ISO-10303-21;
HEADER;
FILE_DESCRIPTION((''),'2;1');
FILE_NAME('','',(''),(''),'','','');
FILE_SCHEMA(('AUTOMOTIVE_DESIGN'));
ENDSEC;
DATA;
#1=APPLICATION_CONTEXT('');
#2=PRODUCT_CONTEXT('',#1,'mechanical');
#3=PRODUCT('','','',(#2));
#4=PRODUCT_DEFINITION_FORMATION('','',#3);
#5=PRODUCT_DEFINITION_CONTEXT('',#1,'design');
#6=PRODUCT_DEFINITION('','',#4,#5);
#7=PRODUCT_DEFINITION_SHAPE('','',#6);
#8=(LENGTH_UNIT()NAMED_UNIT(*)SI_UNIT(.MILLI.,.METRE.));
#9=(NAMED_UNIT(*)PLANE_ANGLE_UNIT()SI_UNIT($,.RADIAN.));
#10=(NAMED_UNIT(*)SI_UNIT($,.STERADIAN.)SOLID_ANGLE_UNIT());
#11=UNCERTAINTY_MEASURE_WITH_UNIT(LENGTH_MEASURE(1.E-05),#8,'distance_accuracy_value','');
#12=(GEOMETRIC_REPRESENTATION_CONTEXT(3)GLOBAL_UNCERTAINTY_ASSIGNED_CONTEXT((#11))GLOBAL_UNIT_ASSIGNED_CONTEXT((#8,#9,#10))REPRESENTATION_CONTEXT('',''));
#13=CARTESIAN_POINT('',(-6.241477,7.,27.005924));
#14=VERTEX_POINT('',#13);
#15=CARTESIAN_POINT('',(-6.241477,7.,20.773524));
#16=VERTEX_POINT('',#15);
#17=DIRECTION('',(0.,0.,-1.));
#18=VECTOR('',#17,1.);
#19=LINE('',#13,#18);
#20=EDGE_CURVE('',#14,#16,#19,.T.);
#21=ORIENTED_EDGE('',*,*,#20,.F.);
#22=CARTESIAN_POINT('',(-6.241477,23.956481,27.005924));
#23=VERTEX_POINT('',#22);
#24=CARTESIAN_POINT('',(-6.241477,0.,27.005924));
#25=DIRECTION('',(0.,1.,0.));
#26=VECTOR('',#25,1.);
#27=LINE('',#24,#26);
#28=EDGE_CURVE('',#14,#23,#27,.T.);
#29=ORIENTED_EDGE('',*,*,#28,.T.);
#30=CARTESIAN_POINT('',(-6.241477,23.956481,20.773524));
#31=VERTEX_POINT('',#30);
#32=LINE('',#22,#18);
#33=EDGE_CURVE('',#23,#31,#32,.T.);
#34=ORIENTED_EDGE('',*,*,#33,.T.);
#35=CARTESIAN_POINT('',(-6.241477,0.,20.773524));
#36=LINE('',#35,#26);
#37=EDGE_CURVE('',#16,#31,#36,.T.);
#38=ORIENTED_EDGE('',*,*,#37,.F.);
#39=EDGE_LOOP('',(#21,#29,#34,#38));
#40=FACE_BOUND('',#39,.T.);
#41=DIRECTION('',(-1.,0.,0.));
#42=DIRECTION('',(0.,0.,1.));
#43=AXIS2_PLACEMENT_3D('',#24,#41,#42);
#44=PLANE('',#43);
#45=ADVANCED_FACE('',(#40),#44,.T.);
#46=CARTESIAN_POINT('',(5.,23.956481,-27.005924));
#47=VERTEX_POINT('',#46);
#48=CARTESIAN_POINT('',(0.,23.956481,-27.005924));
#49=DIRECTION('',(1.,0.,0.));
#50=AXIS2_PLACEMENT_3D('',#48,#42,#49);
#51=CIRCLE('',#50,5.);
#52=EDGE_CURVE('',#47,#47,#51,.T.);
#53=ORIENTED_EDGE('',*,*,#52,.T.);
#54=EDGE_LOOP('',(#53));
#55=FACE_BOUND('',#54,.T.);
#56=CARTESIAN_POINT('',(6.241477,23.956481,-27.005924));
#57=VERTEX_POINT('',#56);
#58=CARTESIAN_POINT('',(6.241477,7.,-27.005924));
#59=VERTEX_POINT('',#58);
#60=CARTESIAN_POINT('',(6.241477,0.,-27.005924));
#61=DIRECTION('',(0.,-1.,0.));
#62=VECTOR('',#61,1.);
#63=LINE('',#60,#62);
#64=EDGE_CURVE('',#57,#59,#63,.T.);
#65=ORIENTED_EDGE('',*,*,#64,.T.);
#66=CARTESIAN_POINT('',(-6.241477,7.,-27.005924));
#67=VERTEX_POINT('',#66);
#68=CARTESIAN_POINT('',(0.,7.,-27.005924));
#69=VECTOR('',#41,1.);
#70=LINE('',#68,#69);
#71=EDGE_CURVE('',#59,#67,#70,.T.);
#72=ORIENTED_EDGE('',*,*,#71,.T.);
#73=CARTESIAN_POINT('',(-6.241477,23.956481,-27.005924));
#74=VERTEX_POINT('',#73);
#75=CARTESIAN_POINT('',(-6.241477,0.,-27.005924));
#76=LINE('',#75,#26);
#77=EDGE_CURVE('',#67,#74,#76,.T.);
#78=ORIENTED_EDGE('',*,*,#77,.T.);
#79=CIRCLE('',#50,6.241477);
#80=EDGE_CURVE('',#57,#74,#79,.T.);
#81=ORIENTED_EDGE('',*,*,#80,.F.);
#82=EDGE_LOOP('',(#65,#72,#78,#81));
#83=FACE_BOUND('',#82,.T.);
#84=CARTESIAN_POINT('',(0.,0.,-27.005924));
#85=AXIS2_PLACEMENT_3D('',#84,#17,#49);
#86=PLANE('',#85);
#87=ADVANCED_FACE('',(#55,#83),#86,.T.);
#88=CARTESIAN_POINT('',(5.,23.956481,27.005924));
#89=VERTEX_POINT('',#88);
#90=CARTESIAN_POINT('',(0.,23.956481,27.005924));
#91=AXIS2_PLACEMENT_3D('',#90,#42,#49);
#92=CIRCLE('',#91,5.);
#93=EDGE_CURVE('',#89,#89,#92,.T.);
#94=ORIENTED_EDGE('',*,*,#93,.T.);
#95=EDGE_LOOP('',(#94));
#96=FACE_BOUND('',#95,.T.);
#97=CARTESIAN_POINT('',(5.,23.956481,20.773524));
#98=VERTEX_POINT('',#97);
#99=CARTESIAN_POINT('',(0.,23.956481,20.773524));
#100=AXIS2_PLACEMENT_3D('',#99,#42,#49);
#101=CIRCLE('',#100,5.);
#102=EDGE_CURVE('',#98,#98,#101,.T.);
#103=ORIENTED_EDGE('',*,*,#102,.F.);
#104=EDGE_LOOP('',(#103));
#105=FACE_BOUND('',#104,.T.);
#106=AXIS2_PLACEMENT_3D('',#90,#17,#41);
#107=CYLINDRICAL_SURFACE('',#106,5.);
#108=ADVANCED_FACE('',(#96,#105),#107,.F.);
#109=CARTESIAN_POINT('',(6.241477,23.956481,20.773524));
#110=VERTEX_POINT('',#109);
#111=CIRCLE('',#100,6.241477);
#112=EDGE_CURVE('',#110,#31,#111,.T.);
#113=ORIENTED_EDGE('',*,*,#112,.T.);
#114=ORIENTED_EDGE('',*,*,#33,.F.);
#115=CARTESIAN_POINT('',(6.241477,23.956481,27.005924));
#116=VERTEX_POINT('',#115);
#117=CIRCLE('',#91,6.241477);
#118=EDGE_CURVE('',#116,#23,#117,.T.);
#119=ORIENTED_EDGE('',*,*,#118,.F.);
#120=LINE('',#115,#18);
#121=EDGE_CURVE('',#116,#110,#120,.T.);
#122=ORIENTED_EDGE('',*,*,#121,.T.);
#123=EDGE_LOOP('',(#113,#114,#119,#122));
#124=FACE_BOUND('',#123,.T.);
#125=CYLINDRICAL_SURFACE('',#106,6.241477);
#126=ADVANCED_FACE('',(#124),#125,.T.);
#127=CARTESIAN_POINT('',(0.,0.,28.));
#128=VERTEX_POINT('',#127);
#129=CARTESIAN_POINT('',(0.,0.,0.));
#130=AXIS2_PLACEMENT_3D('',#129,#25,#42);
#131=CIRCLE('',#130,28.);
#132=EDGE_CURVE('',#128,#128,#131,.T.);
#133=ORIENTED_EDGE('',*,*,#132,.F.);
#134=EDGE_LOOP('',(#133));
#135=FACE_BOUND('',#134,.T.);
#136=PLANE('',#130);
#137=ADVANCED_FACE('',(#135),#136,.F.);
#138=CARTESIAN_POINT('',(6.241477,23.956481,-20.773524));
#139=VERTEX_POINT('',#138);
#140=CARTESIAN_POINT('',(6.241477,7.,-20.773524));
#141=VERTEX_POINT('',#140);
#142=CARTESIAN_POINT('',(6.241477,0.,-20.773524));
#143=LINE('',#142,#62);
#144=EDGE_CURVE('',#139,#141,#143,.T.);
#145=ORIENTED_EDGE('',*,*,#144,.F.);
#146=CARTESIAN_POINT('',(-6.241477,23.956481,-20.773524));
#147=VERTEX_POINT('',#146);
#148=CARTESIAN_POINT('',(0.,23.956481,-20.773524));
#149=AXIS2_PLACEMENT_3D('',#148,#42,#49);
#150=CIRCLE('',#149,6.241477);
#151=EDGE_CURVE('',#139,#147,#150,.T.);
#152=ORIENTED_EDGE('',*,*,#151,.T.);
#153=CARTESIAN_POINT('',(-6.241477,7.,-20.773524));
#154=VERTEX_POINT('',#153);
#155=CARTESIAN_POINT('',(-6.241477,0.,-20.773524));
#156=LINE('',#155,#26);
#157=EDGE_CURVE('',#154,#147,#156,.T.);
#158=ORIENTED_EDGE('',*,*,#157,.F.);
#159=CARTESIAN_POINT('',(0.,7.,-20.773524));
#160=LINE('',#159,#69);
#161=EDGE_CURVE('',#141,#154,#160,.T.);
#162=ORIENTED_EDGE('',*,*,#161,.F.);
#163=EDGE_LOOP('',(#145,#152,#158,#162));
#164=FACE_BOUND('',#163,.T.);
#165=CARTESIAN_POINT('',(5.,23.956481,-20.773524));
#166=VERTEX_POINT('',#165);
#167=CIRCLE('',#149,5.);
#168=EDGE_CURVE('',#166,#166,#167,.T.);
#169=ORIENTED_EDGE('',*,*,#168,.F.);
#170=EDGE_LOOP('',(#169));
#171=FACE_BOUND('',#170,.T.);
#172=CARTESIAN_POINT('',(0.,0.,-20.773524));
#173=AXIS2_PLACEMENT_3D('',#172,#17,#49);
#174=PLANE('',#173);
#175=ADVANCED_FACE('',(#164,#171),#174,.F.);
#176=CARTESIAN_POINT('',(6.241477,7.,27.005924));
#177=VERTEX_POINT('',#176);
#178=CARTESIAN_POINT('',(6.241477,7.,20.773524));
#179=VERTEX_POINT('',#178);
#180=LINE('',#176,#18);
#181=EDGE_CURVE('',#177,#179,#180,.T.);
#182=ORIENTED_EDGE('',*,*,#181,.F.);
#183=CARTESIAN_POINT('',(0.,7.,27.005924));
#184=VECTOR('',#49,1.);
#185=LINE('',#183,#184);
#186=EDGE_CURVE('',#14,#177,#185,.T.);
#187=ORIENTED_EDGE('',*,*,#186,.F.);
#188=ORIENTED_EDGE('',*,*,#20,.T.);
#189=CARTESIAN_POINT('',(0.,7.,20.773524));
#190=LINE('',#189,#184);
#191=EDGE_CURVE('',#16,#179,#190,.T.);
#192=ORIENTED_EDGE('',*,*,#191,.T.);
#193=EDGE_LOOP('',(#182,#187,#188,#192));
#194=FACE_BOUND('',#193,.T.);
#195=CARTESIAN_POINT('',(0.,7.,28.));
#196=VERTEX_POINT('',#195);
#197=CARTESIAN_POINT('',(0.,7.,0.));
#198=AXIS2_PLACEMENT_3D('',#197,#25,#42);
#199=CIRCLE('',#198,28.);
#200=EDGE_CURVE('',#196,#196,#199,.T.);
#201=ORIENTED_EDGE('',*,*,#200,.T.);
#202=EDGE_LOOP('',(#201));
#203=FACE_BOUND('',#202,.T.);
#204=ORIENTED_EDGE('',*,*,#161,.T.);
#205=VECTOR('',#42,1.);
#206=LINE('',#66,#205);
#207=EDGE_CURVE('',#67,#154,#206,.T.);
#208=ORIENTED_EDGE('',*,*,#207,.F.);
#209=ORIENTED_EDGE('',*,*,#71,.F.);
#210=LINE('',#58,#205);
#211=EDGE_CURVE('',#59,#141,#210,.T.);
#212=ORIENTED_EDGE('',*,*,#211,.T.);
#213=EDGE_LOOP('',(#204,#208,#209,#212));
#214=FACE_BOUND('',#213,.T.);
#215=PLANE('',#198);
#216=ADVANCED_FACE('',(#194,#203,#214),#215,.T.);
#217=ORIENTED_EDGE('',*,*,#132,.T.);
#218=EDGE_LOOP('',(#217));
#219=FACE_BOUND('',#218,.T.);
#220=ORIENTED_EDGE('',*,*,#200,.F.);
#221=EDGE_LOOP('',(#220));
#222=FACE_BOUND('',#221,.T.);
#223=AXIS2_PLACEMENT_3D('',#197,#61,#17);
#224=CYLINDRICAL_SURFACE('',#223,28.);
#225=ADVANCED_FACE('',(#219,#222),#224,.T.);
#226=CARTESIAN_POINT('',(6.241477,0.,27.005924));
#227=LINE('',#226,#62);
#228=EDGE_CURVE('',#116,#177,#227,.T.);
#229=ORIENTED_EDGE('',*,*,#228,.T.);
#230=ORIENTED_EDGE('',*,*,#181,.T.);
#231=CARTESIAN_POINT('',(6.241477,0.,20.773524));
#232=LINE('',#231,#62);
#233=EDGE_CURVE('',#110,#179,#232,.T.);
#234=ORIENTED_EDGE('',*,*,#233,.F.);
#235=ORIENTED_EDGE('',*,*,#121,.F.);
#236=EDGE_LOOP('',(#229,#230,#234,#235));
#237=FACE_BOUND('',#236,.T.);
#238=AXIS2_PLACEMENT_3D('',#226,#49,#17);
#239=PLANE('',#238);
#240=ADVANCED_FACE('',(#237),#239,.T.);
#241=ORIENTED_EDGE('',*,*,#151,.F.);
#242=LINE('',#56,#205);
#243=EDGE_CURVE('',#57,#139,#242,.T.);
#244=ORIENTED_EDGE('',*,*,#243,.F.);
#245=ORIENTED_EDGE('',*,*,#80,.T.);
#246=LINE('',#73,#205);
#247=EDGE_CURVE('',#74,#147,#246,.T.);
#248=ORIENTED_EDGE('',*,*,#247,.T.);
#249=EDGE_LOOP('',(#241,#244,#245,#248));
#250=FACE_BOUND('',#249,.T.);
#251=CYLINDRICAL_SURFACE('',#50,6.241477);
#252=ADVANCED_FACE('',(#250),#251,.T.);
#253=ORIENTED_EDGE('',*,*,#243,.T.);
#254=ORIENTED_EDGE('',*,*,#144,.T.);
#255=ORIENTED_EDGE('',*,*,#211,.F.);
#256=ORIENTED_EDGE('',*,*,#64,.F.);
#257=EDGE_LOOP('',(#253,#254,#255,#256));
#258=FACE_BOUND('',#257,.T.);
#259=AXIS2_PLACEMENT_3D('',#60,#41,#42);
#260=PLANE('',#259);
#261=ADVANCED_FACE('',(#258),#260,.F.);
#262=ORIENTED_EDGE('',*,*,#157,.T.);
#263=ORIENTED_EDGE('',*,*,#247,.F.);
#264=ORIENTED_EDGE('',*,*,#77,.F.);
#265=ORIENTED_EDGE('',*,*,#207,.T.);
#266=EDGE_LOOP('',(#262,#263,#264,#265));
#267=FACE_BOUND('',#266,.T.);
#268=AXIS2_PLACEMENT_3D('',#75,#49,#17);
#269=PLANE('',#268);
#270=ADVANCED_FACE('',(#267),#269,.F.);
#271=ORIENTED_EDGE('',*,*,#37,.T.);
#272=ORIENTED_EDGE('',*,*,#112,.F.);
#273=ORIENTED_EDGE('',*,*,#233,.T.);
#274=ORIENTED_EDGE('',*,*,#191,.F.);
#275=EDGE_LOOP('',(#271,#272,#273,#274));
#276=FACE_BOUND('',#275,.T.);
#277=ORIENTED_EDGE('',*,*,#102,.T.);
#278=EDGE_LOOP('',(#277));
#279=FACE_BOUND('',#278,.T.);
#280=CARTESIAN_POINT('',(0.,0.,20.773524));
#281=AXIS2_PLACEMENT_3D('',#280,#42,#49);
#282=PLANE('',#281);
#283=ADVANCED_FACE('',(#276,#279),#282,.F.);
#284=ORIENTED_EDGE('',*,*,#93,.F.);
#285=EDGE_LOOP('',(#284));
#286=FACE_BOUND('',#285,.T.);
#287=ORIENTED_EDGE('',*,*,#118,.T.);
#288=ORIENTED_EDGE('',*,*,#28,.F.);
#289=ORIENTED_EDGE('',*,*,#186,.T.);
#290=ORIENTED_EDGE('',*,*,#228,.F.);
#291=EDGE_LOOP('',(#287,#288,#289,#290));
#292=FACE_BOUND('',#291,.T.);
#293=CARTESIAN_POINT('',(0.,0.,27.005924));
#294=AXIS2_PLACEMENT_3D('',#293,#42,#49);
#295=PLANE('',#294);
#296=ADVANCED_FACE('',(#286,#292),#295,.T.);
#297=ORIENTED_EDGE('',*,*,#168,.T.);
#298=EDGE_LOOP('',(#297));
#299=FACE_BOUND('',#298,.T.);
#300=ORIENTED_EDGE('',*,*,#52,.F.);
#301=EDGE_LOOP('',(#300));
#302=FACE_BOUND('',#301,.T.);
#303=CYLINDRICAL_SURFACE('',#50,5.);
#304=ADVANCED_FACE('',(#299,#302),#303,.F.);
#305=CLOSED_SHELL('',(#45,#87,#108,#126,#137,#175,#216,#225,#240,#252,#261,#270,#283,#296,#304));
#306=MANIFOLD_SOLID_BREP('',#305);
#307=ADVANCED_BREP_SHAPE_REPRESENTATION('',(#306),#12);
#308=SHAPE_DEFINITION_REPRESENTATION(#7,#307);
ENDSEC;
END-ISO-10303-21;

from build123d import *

# Parameters (mm, degrees)
SKETCH1_R           = 28
BOSS_EXTRUDE1_DEPTH = 7
BOSS_EXTRUDE2_START = -1.226475693
SKETCH4_R           = 5
BOSS_EXTRUDE2_DEPTH = 6.232399738


with BuildPart() as part:
    # Sketch1 → Boss-Extrude1 (new body)
    with BuildSketch(Plane(origin=(0, 0, 0), x_dir=(1, 0, 0), z_dir=(0, 1, 0))):
        with Locations(Location((0, 0, 0), (0, 0, 270))):
            Circle(SKETCH1_R)
    extrude(amount=BOSS_EXTRUDE1_DEPTH)

    # Sketch4 → Boss-Extrude2 (add)
    with BuildSketch(Plane.XY.offset(22).offset(BOSS_EXTRUDE2_START)):
        with BuildLine():
            Line((-6.241476895, 15.467624234), (-6.241476895, 7))
            ThreePointArc((-6.241476895, 7), (0, 5.970563029), (6.241476895, 7))
            Line((6.241476895, 7), (6.241476895, 15.467624234))
            Line((6.241476895, 15.467624234), (6.241476895, 23.956480862))
            ThreePointArc((6.241476895, 23.956480862), (0, 30.197957757), (-6.241476895, 23.956480862))
            Line((-6.241476895, 23.956480862), (-6.241476895, 15.467624234))
        make_face()
        with Locations((0, 23.956480862)):
            Circle(SKETCH4_R, mode=Mode.SUBTRACT)
    boss_extrude2 = extrude(amount=BOSS_EXTRUDE2_DEPTH)

    # Mirror1: Boss-Extrude2 across plane
    add(boss_extrude2.mirror(Plane.XY))


solid = part.part
